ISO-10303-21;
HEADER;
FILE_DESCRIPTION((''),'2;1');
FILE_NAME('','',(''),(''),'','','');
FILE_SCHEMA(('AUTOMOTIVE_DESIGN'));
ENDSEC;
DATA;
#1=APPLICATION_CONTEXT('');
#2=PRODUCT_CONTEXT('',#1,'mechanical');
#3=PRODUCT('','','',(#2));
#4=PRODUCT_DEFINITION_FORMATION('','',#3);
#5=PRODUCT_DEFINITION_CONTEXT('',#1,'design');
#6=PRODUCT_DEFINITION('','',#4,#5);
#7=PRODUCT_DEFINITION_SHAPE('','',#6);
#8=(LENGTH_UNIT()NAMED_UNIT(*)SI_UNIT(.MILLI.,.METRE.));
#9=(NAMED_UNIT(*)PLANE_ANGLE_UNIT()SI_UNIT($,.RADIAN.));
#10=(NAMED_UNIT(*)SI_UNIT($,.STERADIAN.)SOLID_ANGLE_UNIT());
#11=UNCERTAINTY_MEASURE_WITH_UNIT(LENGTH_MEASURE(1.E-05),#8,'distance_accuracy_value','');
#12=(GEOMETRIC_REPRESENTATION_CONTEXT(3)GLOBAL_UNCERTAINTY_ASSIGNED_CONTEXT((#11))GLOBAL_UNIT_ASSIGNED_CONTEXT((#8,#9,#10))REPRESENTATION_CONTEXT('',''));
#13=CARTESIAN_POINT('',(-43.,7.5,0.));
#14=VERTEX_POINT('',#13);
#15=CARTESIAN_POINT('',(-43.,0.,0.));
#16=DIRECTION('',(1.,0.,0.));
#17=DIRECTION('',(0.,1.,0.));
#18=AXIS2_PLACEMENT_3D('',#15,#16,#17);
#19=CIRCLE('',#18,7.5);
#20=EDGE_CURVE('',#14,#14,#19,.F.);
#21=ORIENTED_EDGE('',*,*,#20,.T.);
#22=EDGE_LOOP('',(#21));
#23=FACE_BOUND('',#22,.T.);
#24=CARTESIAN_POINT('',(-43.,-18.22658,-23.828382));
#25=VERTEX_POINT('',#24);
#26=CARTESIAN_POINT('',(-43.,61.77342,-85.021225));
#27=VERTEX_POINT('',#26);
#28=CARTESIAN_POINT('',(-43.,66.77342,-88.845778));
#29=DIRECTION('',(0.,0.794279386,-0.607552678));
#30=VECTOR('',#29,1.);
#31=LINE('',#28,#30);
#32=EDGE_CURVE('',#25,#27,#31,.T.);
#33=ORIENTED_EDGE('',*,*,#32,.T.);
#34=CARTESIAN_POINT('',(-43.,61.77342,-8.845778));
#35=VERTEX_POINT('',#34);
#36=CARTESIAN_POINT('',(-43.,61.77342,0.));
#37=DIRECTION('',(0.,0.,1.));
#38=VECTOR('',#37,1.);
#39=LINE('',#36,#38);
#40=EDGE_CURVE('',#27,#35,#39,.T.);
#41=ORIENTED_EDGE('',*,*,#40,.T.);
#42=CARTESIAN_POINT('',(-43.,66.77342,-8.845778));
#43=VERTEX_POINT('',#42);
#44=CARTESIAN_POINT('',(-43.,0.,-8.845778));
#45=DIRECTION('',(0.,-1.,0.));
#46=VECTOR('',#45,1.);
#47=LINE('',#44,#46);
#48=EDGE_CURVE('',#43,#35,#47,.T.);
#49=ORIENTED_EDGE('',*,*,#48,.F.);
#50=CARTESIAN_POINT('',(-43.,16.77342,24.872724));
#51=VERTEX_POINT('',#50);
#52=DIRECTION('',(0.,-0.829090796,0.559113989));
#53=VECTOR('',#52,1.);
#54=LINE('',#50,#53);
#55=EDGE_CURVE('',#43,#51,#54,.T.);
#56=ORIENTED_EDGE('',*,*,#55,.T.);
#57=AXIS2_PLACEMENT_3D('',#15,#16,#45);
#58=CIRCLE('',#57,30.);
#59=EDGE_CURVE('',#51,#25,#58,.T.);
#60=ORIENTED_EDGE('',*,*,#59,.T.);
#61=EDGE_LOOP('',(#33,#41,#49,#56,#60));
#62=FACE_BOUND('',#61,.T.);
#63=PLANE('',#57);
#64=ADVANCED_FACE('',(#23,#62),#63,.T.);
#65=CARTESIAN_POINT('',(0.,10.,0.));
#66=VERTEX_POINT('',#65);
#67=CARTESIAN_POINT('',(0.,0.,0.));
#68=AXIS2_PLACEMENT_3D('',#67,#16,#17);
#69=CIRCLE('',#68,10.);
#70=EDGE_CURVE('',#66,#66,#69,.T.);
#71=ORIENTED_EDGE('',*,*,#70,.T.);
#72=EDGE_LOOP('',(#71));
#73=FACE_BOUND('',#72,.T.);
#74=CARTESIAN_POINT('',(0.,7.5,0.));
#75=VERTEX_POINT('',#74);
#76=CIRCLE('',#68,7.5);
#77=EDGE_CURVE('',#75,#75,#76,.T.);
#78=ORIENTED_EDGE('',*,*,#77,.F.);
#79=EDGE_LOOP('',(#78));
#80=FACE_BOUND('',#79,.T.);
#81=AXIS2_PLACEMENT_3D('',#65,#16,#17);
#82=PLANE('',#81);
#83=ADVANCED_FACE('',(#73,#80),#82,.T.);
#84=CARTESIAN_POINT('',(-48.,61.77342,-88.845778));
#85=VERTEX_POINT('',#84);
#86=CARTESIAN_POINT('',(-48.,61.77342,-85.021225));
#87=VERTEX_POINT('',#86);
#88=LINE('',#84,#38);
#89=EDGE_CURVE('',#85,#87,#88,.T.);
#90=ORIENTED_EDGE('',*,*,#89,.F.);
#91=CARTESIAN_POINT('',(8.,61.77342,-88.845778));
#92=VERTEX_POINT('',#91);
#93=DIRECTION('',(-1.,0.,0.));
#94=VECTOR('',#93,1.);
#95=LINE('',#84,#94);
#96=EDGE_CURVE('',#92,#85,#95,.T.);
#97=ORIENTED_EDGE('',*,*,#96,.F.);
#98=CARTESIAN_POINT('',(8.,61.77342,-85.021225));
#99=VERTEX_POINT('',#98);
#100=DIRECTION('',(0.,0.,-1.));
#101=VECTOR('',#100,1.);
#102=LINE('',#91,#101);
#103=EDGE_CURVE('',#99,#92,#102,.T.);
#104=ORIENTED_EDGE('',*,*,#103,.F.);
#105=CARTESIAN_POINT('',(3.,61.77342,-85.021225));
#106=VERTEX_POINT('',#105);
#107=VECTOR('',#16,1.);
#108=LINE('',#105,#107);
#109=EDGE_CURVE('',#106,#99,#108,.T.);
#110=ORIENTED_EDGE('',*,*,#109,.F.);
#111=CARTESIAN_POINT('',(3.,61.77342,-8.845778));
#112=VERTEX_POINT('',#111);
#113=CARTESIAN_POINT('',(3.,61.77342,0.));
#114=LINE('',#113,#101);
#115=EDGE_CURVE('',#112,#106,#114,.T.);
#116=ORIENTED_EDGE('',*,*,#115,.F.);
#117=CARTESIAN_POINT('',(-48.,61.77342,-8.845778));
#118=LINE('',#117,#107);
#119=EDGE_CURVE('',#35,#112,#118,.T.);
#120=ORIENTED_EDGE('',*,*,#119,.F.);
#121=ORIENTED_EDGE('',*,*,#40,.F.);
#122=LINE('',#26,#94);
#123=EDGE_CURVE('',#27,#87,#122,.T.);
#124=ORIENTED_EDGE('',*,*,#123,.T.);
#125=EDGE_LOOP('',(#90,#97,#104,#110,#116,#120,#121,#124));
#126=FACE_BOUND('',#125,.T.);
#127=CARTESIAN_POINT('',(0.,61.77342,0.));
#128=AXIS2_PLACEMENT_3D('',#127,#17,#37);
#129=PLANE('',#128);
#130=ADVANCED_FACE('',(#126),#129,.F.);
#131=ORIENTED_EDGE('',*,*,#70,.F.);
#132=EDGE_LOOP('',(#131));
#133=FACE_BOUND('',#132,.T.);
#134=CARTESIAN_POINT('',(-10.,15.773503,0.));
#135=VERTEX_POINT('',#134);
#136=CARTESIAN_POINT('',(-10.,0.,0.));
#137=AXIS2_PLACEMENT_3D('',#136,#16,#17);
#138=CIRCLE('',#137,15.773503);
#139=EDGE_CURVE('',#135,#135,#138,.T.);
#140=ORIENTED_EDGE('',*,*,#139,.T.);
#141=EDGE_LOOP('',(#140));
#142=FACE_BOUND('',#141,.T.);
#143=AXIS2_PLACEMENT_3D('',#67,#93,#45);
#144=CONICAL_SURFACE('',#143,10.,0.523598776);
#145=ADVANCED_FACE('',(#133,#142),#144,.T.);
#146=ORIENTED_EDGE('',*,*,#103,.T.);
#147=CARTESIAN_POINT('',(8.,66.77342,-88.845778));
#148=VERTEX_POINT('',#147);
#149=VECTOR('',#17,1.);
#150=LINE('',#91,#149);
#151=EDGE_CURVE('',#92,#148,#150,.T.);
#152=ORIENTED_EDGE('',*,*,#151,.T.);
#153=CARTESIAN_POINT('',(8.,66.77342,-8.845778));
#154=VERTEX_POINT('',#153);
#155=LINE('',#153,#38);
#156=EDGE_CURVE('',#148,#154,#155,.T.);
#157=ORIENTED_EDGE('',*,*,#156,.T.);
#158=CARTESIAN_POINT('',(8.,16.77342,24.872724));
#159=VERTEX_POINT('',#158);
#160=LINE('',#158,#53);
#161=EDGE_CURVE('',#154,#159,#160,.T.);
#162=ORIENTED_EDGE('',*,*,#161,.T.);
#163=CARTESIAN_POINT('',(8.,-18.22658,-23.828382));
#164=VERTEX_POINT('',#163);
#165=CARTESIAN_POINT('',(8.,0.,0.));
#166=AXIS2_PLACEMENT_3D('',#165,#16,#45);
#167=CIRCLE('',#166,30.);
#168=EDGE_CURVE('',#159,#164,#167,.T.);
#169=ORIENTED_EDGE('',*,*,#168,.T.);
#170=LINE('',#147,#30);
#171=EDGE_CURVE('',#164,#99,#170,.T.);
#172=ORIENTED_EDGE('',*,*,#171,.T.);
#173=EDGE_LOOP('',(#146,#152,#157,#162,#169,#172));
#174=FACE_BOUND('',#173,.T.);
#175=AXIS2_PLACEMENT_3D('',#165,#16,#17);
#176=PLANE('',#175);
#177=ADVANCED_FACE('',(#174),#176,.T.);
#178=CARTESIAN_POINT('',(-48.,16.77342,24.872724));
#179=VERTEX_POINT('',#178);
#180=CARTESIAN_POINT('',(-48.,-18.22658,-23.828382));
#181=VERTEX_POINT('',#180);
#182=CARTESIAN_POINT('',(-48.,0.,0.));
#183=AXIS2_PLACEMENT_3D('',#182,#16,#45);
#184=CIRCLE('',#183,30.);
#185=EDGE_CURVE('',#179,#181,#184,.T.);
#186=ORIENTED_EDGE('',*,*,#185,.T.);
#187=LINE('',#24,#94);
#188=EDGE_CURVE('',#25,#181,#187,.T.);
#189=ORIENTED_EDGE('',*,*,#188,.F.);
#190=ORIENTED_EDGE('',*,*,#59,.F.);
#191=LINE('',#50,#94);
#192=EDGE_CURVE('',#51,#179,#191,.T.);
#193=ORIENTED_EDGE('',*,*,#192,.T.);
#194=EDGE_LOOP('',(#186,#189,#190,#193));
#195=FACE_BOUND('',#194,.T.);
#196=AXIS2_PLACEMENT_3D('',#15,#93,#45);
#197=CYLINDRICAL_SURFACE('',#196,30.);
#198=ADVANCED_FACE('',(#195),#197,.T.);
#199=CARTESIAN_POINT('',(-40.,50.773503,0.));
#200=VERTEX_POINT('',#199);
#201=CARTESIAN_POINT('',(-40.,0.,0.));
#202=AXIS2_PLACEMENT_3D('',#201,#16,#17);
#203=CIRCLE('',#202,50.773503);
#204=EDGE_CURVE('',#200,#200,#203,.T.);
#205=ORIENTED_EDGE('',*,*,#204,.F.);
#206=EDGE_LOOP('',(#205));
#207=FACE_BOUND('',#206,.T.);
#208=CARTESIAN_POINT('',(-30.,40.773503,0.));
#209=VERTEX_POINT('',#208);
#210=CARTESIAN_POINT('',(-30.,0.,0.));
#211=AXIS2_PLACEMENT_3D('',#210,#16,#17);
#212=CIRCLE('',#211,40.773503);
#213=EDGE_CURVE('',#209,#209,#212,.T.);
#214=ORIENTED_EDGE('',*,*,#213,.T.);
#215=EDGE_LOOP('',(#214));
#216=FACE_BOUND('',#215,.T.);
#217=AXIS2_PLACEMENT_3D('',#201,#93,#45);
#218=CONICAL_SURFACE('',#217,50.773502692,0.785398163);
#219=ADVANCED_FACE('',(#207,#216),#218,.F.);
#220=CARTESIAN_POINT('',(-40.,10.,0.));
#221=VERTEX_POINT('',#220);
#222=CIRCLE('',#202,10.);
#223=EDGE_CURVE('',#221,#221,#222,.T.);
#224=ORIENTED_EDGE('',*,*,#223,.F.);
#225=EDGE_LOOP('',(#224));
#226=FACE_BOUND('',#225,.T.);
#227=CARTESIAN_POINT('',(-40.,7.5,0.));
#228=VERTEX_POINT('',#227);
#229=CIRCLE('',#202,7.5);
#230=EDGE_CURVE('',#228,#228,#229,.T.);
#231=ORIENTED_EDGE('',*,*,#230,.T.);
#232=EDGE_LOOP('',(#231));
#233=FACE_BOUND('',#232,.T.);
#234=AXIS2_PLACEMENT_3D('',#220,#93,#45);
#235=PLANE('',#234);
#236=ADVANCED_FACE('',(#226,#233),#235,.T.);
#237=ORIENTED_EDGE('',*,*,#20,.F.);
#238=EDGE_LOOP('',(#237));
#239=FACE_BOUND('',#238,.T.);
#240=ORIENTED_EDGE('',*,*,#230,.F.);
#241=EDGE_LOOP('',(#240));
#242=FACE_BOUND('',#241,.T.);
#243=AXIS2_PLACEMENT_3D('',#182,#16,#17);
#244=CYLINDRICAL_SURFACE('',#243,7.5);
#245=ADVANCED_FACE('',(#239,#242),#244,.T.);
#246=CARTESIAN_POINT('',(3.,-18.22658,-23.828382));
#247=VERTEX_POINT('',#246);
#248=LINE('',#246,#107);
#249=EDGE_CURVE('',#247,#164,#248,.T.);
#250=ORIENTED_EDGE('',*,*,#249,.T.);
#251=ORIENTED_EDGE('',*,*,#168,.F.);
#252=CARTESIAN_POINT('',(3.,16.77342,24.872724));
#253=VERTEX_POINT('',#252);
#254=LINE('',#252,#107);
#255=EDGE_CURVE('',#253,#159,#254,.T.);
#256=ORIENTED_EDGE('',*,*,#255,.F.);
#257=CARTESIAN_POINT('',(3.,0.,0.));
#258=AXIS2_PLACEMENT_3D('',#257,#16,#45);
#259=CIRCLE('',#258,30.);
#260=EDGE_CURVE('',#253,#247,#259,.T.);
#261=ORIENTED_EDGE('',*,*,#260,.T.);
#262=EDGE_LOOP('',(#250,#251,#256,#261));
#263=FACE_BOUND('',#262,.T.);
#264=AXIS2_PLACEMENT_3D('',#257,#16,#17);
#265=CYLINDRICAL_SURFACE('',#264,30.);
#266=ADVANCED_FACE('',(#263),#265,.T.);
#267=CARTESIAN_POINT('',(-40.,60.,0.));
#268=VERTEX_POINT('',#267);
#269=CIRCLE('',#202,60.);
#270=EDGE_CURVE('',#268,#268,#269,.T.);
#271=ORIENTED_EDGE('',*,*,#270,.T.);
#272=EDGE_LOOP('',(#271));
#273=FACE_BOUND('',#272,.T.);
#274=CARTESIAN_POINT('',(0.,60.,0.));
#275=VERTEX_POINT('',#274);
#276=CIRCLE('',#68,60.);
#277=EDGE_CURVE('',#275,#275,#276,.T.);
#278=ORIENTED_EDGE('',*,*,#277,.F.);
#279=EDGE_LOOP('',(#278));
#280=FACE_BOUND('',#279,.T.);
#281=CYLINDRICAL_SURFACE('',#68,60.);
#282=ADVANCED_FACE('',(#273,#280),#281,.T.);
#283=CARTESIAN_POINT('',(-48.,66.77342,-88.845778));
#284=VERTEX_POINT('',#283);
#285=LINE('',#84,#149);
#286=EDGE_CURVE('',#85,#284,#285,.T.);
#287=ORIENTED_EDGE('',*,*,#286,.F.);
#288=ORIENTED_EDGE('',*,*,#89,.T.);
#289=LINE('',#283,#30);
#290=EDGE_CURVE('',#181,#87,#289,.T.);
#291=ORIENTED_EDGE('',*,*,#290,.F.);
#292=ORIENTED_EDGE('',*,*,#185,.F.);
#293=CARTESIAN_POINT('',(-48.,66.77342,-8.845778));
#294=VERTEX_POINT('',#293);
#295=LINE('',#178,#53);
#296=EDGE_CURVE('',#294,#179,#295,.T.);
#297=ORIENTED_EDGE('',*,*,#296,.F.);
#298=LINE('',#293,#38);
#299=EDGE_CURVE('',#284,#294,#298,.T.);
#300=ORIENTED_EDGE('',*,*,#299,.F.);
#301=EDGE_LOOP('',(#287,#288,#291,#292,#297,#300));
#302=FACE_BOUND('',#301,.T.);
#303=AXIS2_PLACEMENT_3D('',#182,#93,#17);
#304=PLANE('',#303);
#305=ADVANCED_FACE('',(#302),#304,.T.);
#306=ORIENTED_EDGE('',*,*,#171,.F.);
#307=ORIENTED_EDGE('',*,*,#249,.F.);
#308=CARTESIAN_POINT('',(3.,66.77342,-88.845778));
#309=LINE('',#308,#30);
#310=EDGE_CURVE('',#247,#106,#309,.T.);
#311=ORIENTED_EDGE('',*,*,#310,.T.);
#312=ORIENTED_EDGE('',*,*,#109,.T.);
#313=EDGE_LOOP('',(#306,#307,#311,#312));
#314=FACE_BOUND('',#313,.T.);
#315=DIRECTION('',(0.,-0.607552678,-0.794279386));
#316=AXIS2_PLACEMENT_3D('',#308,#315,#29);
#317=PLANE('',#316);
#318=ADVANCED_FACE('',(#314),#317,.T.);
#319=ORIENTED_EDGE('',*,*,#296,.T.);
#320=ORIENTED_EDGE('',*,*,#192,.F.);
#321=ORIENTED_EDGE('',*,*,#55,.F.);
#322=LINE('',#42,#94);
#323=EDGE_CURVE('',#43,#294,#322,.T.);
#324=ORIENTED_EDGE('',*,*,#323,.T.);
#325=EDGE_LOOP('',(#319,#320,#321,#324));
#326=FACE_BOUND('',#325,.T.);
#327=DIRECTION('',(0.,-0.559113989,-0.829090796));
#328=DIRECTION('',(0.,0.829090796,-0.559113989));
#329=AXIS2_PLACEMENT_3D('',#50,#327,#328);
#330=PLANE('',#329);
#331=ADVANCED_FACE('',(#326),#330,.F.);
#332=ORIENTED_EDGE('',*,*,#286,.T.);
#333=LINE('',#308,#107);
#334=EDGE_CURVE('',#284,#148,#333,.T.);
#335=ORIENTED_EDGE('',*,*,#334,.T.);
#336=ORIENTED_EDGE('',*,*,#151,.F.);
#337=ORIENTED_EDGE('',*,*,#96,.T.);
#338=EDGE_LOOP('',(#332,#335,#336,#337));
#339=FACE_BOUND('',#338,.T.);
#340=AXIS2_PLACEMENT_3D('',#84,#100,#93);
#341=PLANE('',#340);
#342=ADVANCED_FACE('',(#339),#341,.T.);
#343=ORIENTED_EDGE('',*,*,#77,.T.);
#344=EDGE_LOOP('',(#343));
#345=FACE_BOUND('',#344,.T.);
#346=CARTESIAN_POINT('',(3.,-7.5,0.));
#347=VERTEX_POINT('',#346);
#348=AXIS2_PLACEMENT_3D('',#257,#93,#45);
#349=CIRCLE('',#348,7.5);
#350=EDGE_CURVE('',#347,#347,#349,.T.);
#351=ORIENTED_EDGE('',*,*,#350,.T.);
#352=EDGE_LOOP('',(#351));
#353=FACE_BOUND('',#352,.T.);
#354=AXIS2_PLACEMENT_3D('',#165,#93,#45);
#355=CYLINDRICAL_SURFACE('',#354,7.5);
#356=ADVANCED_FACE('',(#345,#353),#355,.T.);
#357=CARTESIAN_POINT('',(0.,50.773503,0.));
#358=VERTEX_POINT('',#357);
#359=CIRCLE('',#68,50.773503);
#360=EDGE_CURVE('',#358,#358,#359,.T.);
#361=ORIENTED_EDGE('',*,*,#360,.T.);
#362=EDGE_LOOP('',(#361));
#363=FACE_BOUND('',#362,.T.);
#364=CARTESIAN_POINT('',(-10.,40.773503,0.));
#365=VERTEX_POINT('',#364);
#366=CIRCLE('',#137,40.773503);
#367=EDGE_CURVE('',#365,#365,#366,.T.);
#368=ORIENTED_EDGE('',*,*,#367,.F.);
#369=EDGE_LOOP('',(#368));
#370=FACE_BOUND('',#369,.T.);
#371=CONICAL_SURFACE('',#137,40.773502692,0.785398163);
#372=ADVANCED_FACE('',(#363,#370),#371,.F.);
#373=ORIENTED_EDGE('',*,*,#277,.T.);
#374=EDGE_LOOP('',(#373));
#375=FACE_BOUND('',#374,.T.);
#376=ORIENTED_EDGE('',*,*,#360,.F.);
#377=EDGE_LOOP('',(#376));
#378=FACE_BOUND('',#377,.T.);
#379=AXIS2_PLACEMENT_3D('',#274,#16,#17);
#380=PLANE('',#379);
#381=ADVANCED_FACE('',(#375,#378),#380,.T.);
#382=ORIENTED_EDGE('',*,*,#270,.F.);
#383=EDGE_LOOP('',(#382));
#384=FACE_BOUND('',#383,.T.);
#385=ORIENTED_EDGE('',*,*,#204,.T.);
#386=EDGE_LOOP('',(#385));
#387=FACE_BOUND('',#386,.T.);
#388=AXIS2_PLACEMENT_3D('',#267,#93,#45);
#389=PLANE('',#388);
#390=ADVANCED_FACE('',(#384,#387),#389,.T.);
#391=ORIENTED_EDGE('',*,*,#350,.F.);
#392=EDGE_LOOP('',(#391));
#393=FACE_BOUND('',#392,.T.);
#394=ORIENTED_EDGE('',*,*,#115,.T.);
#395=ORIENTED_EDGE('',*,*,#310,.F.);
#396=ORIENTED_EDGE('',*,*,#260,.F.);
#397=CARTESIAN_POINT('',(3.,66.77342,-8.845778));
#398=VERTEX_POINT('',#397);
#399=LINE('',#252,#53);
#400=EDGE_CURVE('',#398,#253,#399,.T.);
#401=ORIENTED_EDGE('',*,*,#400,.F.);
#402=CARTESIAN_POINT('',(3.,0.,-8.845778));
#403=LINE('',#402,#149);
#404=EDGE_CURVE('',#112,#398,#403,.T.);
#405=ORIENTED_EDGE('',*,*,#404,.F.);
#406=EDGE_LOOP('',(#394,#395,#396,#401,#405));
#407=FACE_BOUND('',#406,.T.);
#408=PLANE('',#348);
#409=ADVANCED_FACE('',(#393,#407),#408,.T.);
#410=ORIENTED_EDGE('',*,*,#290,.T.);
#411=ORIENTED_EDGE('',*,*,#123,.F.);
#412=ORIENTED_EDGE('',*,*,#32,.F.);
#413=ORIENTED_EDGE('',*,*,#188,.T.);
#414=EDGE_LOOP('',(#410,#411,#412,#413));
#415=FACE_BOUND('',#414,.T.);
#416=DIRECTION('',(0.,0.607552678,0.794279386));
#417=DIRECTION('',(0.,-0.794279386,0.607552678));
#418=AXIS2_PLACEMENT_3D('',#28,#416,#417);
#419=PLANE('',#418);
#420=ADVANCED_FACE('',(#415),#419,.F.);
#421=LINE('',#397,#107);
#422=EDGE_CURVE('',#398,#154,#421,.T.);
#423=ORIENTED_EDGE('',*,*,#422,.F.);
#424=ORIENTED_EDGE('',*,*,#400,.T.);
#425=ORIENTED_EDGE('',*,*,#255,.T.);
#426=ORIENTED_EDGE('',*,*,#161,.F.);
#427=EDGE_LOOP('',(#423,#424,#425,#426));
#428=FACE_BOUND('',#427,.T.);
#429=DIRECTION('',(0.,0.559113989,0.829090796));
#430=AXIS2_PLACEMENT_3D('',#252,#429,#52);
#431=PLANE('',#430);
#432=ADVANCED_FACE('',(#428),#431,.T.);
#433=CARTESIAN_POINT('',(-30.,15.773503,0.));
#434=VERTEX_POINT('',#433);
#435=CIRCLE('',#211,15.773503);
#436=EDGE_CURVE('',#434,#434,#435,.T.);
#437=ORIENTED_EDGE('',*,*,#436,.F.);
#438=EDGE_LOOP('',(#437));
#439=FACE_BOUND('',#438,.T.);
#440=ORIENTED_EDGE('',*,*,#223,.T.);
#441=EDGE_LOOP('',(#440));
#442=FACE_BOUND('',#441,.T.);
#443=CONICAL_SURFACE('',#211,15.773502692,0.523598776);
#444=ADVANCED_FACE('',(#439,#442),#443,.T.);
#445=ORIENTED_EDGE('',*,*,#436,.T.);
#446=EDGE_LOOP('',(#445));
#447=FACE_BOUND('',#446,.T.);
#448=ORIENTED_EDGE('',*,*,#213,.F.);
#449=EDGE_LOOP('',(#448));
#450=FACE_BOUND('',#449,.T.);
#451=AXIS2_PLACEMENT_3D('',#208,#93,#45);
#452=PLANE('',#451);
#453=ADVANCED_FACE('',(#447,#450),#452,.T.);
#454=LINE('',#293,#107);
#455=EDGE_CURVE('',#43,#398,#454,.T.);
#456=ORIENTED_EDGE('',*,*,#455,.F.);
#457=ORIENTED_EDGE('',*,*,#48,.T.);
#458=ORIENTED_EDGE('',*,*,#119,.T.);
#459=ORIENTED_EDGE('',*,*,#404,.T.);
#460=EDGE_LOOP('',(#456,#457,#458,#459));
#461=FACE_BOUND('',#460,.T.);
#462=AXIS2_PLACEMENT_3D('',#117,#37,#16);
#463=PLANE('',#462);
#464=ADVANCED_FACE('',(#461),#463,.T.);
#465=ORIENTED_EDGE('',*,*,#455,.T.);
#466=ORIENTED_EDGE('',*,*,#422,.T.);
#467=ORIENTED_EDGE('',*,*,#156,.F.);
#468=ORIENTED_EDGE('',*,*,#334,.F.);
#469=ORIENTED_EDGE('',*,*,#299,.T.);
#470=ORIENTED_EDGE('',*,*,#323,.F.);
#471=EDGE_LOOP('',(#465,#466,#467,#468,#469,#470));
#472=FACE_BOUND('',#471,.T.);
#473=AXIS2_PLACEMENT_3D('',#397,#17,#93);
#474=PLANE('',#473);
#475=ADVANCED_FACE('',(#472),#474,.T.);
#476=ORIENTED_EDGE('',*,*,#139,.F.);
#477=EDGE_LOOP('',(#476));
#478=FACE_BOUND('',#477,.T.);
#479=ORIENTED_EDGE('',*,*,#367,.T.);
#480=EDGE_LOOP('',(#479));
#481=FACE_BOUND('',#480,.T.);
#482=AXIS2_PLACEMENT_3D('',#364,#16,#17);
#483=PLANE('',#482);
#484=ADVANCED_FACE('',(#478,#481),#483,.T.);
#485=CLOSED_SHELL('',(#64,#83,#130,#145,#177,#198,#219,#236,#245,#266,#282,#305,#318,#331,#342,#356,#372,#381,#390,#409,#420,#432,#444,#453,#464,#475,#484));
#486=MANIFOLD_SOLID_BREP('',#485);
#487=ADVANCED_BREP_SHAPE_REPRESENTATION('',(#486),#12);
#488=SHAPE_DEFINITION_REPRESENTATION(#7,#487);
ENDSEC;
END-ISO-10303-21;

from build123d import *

# Parameters (mm, degrees)
SKETCH3_R           = 7.5
BOSS_EXTRUDE1_DEPTH = 8
BOSS_EXTRUDE2_DEPTH = 5
SKETCH5_W           = 56
SKETCH5_H           = 80
BOSS_EXTRUDE3_DEPTH = 5


with BuildPart() as part:
    # Sketch1 → Revolve1 (revolve)
    with BuildSketch(Plane.XY):
        Polygon((-40, 60), (0, 60), (0, 50.773502692), (-10, 40.773502692), (-10, 15.773502692), (0, 10), (0, 0), (-40, 0), (-40, 10), (-30, 15.773502692), (-30, 40.773502692), (-40, 50.773502692), align=None)
    revolve(axis=Axis((0, 0, 0), (-1, 0, 0)))

    # Sketch3 → Boss-Extrude1 (add)
    with BuildSketch(Plane(origin=(0, 0, 0), x_dir=(0, 0, -1), z_dir=(1, 0, 0))):
        Circle(SKETCH3_R)
    boss_extrude1 = extrude(amount=BOSS_EXTRUDE1_DEPTH)

    # Sketch4 → Boss-Extrude2 (add)
    with BuildSketch(Plane(origin=(8, 0, 0), x_dir=(0, 0, -1), z_dir=(1, 0, 0))):
        with BuildLine():
            Line((8.84577787, 66.773419664), (88.84577787, 66.773419664))
            Line((88.84577787, 66.773419664), (23.828381591, -18.226580336))
            ThreePointArc((23.828381591, -18.226580336), (-17.50778863, -24.361390299), (-24.872723871, 16.773419664))
            Line((-24.872723871, 16.773419664), (8.84577787, 66.773419664))
        make_face()
    boss_extrude2 = extrude(amount=-BOSS_EXTRUDE2_DEPTH)

    # Mirror1: Boss-Extrude1, Boss-Extrude2 across plane
    add(boss_extrude1.mirror(Plane(origin=(-20, 0, 0), x_dir=(0, 0, 1), z_dir=(1, 0, 0))))
    add(boss_extrude2.mirror(Plane(origin=(-20, 0, 0), x_dir=(0, 0, 1), z_dir=(1, 0, 0))))

    # Sketch5 → Boss-Extrude3 (add)
    with BuildSketch(Plane(origin=(0, 66.773419664, 0), x_dir=(1, 0, 0), z_dir=(0, 1, 0))):
        with Locations((-20, 48.84577787)):
            Rectangle(SKETCH5_W, SKETCH5_H)
    extrude(amount=-BOSS_EXTRUDE3_DEPTH)


solid = part.part
